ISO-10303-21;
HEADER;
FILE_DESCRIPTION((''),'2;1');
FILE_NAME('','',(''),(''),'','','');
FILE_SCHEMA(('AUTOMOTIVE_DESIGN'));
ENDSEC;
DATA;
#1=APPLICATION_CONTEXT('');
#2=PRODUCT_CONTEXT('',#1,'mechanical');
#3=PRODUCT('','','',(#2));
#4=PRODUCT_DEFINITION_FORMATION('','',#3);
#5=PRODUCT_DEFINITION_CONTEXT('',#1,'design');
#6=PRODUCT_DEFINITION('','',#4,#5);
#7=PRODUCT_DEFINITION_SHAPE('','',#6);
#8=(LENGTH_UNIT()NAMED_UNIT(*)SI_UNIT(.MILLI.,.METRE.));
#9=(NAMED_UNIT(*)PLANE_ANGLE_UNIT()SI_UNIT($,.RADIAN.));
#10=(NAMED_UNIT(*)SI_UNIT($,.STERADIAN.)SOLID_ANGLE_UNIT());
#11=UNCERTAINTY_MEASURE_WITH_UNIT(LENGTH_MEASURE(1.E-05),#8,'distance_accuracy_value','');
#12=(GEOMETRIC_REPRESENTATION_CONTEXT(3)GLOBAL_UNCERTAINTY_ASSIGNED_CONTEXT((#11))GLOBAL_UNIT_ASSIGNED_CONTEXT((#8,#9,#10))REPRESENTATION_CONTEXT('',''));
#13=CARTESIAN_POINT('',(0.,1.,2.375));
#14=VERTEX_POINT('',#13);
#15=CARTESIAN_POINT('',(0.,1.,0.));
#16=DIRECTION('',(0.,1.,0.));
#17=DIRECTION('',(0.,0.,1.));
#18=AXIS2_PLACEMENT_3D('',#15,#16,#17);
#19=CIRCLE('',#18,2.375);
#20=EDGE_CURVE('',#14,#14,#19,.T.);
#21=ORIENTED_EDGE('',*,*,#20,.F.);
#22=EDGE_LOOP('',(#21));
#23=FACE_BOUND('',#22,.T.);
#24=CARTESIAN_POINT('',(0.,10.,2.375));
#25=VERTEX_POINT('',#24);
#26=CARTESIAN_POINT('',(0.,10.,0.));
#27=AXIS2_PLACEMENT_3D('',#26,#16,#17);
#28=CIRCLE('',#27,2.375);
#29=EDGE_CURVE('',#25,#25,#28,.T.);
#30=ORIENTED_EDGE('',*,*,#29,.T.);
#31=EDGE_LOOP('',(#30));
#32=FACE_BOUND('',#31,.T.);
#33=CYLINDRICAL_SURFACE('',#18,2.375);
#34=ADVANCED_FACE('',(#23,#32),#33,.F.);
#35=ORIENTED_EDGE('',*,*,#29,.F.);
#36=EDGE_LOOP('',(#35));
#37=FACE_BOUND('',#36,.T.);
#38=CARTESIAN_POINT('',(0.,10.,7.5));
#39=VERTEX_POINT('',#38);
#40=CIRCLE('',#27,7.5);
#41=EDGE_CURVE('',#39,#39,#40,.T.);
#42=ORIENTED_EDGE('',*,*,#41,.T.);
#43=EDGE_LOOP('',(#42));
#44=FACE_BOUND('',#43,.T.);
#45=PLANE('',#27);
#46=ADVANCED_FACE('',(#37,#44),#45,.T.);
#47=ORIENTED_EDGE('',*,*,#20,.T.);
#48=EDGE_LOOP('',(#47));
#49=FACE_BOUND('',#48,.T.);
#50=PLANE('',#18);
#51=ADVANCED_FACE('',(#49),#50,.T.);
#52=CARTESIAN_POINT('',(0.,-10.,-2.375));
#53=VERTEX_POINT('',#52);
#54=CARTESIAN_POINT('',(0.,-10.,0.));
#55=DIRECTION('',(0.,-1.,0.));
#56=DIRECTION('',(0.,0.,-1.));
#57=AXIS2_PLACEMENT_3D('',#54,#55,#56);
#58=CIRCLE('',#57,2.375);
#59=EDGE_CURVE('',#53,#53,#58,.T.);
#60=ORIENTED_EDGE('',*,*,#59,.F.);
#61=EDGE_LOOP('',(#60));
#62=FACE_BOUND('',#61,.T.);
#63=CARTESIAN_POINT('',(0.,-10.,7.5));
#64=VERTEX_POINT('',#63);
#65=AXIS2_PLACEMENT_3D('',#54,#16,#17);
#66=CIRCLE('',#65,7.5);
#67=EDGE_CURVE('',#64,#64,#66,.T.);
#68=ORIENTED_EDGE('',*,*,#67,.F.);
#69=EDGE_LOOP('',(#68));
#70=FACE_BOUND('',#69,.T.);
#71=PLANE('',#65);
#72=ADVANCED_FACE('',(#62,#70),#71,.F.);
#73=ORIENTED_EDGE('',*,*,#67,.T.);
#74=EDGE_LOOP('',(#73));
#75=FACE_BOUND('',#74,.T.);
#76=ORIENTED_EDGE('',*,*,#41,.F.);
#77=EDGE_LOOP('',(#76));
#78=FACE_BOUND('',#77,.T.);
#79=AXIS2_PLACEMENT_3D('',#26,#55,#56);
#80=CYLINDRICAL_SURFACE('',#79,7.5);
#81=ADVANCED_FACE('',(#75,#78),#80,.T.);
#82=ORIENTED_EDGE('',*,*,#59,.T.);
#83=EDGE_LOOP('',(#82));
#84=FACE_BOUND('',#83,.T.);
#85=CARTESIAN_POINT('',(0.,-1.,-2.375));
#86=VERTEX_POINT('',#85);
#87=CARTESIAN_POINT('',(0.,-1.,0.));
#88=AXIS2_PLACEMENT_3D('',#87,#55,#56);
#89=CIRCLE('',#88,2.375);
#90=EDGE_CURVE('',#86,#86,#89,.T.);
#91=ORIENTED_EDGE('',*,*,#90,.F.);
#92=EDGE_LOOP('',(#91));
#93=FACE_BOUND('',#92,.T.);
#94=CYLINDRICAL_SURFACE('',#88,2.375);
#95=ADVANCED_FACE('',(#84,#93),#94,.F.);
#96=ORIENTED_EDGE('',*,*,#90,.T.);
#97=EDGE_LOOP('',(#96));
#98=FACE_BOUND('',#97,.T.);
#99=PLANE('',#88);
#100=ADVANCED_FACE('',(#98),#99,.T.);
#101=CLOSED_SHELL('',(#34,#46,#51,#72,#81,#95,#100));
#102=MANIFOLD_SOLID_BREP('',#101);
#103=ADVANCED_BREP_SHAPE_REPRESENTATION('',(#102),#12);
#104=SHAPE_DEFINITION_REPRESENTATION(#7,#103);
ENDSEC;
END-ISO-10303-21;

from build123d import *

# Parameters (mm, degrees)
SKETCH1_R           = 7.5
BOSS_EXTRUDE1_DEPTH = 10
SKETCH2_R           = 2.375
CUT_EXTRUDE1_DEPTH  = 9
SKETCH3_R           = 2.375
CUT_EXTRUDE2_DEPTH  = 9


with BuildPart() as part:
    # Sketch1 → Boss-Extrude1 (new body, symmetric)
    with BuildSketch(Plane(origin=(0, 0, 0), x_dir=(1, 0, 0), z_dir=(0, 1, 0))):
        Circle(SKETCH1_R)
    extrude(amount=BOSS_EXTRUDE1_DEPTH, both=True)

    # Sketch2 → Cut-Extrude1 (cut)
    with BuildSketch(Plane(origin=(0, 10, 0), x_dir=(1, 0, 0), z_dir=(0, 1, 0))):
        Circle(SKETCH2_R)
    extrude(amount=-CUT_EXTRUDE1_DEPTH, mode=Mode.SUBTRACT)

    # Sketch3 → Cut-Extrude2 (cut)
    with BuildSketch(Plane.XZ.offset(10)):
        Circle(SKETCH3_R)
    extrude(amount=-CUT_EXTRUDE2_DEPTH, mode=Mode.SUBTRACT)


solid = part.part
